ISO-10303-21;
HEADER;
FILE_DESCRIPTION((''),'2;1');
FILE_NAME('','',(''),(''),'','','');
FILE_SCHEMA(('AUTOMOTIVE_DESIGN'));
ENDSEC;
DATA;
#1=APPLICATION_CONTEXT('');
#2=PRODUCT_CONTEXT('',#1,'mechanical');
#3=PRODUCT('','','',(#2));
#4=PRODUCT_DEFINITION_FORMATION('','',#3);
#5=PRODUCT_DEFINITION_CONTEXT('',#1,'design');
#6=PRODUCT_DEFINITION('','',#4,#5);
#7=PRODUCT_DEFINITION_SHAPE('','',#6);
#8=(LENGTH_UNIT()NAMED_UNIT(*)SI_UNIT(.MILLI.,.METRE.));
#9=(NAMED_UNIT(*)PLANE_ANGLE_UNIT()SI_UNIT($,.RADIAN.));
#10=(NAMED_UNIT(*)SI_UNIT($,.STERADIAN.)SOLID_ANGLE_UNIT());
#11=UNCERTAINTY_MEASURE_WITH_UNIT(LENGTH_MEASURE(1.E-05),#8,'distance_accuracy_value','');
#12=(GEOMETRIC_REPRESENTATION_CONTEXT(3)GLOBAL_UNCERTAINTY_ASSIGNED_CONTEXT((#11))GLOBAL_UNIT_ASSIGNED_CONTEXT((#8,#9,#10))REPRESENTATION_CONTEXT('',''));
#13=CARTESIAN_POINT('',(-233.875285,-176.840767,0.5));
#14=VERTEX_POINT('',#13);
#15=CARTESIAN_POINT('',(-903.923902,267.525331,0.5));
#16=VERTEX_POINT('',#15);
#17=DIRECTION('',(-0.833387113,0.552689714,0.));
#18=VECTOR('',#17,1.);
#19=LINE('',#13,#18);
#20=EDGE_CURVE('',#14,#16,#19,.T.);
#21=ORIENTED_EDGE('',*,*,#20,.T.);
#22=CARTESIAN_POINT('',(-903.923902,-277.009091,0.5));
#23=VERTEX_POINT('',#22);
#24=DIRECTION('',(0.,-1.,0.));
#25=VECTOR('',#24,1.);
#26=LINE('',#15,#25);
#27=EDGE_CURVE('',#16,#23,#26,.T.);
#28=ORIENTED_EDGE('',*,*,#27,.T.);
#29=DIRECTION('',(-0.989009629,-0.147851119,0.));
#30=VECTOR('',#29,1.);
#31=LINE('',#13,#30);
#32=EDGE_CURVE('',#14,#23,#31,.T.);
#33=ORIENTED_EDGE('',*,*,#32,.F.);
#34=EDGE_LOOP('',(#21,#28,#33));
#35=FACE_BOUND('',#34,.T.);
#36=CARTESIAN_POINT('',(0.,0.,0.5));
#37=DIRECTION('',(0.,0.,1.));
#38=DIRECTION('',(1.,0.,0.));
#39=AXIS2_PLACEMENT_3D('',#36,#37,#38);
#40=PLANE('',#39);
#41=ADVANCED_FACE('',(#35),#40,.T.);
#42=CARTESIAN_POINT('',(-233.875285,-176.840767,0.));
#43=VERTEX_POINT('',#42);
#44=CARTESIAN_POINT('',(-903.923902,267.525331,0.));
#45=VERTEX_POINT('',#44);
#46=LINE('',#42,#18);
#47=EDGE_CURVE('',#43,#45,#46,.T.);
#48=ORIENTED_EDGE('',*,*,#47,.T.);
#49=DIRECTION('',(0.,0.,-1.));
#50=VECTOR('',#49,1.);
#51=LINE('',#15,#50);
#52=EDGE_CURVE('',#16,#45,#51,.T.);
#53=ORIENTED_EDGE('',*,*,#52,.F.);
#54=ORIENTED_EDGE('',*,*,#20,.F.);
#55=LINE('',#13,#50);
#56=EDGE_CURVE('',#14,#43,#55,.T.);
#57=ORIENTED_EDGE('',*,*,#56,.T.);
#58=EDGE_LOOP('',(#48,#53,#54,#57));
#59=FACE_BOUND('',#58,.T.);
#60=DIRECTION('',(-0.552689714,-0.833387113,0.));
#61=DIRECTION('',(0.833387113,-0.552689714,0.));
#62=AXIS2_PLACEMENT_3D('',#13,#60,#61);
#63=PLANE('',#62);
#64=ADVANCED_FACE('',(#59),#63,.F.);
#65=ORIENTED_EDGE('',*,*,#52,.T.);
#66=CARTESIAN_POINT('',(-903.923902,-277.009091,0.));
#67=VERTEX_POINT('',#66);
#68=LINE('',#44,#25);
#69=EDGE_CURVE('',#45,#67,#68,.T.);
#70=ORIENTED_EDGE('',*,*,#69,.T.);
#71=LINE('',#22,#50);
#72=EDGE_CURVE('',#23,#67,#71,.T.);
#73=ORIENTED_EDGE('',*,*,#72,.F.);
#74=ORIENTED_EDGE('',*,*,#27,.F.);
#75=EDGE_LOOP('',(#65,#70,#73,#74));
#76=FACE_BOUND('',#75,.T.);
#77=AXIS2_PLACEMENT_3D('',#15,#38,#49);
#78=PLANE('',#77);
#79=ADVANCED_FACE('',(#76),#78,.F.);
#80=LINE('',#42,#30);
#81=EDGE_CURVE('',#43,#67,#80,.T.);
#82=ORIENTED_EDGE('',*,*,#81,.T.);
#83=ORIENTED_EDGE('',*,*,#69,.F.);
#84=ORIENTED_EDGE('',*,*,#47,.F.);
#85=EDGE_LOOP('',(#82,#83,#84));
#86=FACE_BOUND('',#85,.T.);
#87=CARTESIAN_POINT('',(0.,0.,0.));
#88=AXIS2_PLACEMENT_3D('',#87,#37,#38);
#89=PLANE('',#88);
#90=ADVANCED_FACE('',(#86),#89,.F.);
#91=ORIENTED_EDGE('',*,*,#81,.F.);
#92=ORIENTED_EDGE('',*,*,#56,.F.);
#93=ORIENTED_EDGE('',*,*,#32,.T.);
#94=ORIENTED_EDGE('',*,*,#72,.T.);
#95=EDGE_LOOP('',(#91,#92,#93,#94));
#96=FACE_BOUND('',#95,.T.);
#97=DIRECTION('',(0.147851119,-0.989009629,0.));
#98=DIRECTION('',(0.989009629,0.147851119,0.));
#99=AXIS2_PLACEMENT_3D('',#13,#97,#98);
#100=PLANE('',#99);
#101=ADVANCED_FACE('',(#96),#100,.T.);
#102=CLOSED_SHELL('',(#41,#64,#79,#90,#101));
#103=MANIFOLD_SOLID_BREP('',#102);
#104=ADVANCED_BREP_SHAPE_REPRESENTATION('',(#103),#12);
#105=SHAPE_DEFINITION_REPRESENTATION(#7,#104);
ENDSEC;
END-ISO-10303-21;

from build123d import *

# Parameters (mm, degrees)
DODANIE_WYCI_GNI_CIE1_DEPTH = 0.5


with BuildPart() as part:
    # Szkic1 → Dodanie-wyciągnięcie1 (new body)
    with BuildSketch(Plane.XY):
        Polygon((-233.875284897, -176.840766639), (-903.923901621, -277.009091385), (-903.923901621, 267.525330512), align=None)
    extrude(amount=DODANIE_WYCI_GNI_CIE1_DEPTH)


solid = part.part
